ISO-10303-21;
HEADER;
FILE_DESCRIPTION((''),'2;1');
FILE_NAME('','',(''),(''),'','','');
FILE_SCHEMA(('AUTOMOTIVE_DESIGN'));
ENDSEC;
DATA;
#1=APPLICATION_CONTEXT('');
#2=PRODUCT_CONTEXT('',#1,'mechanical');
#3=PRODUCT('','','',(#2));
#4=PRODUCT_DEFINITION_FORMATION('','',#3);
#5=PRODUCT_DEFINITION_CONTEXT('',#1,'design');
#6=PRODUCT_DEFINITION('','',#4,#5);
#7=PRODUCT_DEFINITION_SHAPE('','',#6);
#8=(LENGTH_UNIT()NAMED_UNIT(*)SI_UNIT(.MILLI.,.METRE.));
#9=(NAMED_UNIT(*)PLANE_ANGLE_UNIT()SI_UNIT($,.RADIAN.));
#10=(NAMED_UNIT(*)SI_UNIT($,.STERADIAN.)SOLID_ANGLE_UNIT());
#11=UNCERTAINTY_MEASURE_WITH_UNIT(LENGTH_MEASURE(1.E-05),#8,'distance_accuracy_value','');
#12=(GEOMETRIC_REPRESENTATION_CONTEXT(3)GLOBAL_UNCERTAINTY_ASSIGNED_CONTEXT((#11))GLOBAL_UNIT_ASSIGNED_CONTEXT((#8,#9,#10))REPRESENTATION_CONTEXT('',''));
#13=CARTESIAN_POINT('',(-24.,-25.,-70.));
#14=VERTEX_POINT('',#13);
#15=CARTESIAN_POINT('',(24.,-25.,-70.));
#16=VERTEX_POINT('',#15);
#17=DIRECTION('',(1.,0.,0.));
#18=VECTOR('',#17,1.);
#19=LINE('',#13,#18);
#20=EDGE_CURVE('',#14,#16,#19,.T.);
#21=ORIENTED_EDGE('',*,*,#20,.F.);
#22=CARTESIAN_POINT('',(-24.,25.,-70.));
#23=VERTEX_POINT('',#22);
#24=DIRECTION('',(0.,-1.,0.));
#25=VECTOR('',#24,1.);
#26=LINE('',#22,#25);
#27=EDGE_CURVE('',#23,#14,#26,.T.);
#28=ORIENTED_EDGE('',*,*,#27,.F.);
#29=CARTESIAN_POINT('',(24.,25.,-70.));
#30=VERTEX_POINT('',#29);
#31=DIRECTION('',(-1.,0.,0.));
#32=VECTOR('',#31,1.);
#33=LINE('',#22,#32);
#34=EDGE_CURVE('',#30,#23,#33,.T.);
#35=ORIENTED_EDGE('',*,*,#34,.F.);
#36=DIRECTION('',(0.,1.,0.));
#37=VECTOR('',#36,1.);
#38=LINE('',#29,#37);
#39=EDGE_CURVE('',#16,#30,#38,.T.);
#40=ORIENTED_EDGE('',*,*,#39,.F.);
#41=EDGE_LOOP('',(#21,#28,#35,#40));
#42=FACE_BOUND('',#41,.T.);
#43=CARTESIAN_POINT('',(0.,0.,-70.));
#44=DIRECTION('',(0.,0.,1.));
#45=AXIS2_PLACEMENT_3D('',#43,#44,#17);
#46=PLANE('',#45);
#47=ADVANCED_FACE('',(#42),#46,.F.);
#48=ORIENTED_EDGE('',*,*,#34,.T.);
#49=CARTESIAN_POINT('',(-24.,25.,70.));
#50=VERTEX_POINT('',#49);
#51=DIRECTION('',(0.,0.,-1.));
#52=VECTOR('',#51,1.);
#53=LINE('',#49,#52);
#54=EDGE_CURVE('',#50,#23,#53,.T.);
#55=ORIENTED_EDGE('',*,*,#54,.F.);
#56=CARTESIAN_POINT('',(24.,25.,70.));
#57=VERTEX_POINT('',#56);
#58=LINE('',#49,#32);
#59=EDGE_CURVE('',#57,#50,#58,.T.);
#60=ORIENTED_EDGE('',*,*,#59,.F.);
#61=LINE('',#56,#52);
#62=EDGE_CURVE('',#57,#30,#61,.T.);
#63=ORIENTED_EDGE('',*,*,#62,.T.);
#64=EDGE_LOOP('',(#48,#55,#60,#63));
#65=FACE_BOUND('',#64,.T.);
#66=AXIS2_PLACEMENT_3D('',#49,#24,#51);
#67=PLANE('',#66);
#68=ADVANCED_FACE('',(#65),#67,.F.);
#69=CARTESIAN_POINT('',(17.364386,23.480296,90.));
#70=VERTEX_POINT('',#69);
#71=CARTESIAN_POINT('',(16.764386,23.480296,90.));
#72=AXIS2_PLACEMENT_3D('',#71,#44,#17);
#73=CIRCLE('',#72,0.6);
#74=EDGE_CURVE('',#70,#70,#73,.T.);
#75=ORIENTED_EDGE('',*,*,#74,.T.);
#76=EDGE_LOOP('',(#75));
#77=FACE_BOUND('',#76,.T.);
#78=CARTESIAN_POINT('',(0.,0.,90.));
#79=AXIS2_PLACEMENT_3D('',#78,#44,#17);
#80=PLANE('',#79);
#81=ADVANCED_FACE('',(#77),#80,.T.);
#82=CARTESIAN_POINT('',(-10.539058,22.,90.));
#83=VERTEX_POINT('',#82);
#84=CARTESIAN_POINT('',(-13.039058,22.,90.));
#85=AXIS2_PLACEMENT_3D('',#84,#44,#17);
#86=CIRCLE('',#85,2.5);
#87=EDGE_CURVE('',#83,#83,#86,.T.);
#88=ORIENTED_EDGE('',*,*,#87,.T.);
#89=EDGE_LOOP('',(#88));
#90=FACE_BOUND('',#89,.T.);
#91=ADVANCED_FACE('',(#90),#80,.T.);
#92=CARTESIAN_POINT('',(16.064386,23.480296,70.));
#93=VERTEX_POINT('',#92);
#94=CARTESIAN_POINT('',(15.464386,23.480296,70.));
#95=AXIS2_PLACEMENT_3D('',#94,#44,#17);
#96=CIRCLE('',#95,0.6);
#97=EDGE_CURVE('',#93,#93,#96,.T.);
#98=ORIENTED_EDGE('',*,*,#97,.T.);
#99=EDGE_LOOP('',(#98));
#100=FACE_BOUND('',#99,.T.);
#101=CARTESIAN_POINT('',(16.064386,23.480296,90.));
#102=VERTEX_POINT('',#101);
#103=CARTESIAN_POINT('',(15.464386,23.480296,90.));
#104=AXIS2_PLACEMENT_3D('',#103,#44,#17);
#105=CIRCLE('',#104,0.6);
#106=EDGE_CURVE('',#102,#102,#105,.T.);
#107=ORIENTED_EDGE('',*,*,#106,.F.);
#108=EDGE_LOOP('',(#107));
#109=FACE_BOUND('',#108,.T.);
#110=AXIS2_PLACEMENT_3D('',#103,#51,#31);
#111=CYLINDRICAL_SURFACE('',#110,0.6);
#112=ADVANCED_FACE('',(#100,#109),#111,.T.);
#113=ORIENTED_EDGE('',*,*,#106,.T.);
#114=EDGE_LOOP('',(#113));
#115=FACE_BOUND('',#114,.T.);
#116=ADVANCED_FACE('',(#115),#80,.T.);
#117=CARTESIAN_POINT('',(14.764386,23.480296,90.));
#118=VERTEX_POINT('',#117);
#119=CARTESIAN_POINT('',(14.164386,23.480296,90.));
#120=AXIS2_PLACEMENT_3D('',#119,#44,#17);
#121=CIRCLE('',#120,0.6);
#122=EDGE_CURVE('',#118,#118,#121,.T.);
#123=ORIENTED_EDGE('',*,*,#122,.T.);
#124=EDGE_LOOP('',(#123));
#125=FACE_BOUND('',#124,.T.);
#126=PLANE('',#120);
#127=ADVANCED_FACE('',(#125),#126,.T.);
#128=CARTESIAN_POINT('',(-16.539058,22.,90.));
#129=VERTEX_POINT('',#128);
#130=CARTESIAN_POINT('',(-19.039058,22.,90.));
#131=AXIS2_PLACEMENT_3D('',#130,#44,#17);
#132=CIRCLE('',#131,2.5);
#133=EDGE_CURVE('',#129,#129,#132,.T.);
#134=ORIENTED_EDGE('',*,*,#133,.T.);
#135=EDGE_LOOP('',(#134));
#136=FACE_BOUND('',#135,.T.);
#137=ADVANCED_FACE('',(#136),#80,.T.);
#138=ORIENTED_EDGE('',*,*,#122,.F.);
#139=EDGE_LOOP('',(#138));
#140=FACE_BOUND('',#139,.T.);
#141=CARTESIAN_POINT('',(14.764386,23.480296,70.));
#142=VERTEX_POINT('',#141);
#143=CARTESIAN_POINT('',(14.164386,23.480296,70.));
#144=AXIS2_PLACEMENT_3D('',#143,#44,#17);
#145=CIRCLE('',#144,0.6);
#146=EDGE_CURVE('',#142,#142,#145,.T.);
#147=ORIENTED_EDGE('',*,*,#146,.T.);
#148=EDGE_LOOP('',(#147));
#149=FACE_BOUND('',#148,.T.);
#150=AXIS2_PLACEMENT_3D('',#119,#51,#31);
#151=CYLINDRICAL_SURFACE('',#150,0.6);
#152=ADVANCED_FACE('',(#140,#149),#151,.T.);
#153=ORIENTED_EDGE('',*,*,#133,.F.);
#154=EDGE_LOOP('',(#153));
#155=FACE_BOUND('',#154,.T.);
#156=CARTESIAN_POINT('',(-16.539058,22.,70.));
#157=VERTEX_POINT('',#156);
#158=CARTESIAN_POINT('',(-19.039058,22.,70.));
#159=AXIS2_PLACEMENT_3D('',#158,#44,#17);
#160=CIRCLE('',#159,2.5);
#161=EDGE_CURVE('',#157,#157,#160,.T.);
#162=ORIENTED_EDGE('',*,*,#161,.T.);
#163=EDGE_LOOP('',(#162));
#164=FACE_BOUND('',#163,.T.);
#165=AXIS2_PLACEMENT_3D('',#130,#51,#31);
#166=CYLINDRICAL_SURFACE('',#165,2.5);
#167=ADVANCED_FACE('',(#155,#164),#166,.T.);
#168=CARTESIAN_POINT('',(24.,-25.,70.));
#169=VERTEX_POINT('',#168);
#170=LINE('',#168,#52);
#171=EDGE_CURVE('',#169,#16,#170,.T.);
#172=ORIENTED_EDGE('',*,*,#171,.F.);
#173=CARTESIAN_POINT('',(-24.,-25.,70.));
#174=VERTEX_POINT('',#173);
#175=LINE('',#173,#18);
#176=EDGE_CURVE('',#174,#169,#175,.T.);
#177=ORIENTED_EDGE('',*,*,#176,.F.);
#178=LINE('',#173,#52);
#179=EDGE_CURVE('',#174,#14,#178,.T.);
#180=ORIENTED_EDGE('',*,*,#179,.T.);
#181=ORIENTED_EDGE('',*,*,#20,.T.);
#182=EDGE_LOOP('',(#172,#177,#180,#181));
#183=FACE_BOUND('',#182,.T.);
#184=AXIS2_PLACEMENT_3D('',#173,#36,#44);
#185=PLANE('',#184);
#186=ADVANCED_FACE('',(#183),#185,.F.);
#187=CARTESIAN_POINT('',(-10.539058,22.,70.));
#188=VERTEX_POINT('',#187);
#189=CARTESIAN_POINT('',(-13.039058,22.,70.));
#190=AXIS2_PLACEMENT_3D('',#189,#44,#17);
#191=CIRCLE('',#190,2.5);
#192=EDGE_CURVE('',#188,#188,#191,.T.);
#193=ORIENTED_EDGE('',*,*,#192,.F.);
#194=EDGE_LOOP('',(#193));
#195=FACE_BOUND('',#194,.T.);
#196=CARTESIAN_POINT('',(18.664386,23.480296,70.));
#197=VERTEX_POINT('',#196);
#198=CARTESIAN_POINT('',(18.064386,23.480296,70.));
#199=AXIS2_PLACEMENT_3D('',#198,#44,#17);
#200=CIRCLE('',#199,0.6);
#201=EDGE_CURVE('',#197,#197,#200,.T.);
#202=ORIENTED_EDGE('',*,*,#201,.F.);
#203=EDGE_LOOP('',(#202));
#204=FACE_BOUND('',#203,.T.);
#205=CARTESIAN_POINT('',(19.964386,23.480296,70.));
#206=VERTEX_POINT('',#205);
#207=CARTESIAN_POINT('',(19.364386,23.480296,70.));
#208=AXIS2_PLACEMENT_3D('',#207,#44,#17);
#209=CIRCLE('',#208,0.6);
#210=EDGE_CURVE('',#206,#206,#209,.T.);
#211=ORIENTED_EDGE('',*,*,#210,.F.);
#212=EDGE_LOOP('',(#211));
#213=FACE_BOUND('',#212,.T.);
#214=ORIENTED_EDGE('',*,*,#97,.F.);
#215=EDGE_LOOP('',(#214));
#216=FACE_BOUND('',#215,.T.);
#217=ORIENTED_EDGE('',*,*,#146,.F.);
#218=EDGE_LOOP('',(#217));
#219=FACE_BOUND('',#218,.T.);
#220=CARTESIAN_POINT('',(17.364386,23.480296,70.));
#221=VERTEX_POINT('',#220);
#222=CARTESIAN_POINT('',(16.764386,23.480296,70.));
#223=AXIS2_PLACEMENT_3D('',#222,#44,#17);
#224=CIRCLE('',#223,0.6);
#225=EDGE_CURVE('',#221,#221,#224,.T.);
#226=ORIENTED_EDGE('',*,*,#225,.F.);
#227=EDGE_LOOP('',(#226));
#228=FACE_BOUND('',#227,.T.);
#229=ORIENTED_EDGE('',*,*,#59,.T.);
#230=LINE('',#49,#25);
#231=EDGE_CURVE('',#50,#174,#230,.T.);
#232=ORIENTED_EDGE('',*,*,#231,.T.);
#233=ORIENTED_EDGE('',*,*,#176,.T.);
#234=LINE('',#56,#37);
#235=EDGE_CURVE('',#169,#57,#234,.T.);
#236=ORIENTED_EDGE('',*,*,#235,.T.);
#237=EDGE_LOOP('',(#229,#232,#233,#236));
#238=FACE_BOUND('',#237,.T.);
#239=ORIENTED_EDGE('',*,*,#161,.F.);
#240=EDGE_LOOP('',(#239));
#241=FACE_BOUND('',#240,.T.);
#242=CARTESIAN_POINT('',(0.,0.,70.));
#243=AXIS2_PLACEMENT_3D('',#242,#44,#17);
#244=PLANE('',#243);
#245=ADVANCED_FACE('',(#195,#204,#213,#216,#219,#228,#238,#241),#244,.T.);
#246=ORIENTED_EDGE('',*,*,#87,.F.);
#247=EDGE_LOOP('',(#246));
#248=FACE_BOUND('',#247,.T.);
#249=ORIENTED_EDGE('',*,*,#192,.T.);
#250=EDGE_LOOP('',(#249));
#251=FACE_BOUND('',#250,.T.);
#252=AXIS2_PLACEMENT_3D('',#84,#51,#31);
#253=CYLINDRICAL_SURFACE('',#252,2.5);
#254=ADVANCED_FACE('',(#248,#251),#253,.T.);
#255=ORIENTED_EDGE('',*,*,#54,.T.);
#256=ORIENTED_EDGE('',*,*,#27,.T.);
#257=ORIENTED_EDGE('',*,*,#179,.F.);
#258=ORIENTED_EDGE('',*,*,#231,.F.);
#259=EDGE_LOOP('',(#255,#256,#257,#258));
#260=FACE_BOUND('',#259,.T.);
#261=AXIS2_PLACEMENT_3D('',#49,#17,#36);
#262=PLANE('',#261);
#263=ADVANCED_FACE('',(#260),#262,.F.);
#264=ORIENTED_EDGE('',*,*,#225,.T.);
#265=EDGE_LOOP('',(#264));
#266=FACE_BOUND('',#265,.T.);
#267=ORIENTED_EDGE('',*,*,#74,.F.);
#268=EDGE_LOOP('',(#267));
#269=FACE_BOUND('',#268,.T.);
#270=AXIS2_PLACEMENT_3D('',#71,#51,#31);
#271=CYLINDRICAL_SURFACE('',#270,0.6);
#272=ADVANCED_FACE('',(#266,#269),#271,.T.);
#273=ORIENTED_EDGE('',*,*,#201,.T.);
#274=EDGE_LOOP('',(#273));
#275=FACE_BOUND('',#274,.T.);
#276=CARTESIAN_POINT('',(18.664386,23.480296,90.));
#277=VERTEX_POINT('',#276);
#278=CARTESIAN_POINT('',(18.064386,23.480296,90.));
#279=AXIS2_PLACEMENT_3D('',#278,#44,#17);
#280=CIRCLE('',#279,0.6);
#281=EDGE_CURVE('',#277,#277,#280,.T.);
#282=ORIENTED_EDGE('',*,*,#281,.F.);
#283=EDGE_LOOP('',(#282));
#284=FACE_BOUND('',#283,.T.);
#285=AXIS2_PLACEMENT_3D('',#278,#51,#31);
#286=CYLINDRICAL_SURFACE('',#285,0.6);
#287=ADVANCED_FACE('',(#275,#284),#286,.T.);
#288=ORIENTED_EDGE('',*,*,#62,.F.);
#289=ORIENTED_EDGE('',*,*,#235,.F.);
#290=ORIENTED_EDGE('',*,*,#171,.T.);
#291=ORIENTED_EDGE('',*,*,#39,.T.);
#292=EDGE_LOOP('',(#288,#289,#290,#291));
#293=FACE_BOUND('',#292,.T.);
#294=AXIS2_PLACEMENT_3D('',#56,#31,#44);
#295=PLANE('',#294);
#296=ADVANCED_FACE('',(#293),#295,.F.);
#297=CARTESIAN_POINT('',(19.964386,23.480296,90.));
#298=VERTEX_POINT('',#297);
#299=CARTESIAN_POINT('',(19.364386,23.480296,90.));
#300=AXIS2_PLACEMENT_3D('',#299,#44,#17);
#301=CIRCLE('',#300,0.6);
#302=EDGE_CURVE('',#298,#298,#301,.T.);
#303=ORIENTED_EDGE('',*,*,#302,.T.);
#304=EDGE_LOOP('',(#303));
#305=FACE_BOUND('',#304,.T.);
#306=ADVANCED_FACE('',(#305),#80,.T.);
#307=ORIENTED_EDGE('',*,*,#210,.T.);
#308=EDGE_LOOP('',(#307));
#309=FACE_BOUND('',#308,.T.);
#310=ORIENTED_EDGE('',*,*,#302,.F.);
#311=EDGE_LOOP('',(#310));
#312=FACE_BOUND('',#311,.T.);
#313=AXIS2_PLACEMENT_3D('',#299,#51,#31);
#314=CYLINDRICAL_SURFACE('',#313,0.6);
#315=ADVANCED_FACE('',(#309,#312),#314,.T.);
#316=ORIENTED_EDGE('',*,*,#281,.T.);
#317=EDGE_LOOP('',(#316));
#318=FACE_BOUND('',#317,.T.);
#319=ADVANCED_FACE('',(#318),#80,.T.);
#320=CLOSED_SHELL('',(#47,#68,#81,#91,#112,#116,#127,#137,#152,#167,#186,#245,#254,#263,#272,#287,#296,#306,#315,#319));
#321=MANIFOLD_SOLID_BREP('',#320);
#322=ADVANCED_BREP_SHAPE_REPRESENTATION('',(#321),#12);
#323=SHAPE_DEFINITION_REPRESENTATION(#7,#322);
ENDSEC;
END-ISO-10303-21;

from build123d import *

# Parameters (mm, degrees)
ESQUISSE1_W        = 48
ESQUISSE1_H        = 50
BOSS_EXTRU_1_DEPTH = 70
ESQUISSE2_R        = 2.5
ESQUISSE2_R_2      = 0.6
BOSS_EXTRU_2_DEPTH = 20


with BuildPart() as part:
    # Esquisse1 → Boss.-Extru.1 (new, symmetric)
    with BuildSketch(Plane.XY):
        Rectangle(ESQUISSE1_W, ESQUISSE1_H)
    extrude(amount=BOSS_EXTRU_1_DEPTH, both=True)

    # Esquisse2 → Boss.-Extru.2 (add)
    with BuildSketch(Plane.XY.offset(70)):
        with Locations((-19.03905832, 22)):
            Circle(ESQUISSE2_R)
        with Locations((-13.03905832, 22)):
            Circle(ESQUISSE2_R)
        with Locations((15.464385939, 23.480295556)):
            Circle(ESQUISSE2_R_2)
        with Locations((16.764385939, 23.480295556)):
            Circle(ESQUISSE2_R_2)
        with Locations((18.064385939, 23.480295556)):
            Circle(ESQUISSE2_R_2)
        with Locations((19.364385939, 23.480295556)):
            Circle(ESQUISSE2_R_2)
        with Locations((14.164385939, 23.480295556)):
            Circle(ESQUISSE2_R_2)
    extrude(amount=BOSS_EXTRU_2_DEPTH)


solid = part.part
